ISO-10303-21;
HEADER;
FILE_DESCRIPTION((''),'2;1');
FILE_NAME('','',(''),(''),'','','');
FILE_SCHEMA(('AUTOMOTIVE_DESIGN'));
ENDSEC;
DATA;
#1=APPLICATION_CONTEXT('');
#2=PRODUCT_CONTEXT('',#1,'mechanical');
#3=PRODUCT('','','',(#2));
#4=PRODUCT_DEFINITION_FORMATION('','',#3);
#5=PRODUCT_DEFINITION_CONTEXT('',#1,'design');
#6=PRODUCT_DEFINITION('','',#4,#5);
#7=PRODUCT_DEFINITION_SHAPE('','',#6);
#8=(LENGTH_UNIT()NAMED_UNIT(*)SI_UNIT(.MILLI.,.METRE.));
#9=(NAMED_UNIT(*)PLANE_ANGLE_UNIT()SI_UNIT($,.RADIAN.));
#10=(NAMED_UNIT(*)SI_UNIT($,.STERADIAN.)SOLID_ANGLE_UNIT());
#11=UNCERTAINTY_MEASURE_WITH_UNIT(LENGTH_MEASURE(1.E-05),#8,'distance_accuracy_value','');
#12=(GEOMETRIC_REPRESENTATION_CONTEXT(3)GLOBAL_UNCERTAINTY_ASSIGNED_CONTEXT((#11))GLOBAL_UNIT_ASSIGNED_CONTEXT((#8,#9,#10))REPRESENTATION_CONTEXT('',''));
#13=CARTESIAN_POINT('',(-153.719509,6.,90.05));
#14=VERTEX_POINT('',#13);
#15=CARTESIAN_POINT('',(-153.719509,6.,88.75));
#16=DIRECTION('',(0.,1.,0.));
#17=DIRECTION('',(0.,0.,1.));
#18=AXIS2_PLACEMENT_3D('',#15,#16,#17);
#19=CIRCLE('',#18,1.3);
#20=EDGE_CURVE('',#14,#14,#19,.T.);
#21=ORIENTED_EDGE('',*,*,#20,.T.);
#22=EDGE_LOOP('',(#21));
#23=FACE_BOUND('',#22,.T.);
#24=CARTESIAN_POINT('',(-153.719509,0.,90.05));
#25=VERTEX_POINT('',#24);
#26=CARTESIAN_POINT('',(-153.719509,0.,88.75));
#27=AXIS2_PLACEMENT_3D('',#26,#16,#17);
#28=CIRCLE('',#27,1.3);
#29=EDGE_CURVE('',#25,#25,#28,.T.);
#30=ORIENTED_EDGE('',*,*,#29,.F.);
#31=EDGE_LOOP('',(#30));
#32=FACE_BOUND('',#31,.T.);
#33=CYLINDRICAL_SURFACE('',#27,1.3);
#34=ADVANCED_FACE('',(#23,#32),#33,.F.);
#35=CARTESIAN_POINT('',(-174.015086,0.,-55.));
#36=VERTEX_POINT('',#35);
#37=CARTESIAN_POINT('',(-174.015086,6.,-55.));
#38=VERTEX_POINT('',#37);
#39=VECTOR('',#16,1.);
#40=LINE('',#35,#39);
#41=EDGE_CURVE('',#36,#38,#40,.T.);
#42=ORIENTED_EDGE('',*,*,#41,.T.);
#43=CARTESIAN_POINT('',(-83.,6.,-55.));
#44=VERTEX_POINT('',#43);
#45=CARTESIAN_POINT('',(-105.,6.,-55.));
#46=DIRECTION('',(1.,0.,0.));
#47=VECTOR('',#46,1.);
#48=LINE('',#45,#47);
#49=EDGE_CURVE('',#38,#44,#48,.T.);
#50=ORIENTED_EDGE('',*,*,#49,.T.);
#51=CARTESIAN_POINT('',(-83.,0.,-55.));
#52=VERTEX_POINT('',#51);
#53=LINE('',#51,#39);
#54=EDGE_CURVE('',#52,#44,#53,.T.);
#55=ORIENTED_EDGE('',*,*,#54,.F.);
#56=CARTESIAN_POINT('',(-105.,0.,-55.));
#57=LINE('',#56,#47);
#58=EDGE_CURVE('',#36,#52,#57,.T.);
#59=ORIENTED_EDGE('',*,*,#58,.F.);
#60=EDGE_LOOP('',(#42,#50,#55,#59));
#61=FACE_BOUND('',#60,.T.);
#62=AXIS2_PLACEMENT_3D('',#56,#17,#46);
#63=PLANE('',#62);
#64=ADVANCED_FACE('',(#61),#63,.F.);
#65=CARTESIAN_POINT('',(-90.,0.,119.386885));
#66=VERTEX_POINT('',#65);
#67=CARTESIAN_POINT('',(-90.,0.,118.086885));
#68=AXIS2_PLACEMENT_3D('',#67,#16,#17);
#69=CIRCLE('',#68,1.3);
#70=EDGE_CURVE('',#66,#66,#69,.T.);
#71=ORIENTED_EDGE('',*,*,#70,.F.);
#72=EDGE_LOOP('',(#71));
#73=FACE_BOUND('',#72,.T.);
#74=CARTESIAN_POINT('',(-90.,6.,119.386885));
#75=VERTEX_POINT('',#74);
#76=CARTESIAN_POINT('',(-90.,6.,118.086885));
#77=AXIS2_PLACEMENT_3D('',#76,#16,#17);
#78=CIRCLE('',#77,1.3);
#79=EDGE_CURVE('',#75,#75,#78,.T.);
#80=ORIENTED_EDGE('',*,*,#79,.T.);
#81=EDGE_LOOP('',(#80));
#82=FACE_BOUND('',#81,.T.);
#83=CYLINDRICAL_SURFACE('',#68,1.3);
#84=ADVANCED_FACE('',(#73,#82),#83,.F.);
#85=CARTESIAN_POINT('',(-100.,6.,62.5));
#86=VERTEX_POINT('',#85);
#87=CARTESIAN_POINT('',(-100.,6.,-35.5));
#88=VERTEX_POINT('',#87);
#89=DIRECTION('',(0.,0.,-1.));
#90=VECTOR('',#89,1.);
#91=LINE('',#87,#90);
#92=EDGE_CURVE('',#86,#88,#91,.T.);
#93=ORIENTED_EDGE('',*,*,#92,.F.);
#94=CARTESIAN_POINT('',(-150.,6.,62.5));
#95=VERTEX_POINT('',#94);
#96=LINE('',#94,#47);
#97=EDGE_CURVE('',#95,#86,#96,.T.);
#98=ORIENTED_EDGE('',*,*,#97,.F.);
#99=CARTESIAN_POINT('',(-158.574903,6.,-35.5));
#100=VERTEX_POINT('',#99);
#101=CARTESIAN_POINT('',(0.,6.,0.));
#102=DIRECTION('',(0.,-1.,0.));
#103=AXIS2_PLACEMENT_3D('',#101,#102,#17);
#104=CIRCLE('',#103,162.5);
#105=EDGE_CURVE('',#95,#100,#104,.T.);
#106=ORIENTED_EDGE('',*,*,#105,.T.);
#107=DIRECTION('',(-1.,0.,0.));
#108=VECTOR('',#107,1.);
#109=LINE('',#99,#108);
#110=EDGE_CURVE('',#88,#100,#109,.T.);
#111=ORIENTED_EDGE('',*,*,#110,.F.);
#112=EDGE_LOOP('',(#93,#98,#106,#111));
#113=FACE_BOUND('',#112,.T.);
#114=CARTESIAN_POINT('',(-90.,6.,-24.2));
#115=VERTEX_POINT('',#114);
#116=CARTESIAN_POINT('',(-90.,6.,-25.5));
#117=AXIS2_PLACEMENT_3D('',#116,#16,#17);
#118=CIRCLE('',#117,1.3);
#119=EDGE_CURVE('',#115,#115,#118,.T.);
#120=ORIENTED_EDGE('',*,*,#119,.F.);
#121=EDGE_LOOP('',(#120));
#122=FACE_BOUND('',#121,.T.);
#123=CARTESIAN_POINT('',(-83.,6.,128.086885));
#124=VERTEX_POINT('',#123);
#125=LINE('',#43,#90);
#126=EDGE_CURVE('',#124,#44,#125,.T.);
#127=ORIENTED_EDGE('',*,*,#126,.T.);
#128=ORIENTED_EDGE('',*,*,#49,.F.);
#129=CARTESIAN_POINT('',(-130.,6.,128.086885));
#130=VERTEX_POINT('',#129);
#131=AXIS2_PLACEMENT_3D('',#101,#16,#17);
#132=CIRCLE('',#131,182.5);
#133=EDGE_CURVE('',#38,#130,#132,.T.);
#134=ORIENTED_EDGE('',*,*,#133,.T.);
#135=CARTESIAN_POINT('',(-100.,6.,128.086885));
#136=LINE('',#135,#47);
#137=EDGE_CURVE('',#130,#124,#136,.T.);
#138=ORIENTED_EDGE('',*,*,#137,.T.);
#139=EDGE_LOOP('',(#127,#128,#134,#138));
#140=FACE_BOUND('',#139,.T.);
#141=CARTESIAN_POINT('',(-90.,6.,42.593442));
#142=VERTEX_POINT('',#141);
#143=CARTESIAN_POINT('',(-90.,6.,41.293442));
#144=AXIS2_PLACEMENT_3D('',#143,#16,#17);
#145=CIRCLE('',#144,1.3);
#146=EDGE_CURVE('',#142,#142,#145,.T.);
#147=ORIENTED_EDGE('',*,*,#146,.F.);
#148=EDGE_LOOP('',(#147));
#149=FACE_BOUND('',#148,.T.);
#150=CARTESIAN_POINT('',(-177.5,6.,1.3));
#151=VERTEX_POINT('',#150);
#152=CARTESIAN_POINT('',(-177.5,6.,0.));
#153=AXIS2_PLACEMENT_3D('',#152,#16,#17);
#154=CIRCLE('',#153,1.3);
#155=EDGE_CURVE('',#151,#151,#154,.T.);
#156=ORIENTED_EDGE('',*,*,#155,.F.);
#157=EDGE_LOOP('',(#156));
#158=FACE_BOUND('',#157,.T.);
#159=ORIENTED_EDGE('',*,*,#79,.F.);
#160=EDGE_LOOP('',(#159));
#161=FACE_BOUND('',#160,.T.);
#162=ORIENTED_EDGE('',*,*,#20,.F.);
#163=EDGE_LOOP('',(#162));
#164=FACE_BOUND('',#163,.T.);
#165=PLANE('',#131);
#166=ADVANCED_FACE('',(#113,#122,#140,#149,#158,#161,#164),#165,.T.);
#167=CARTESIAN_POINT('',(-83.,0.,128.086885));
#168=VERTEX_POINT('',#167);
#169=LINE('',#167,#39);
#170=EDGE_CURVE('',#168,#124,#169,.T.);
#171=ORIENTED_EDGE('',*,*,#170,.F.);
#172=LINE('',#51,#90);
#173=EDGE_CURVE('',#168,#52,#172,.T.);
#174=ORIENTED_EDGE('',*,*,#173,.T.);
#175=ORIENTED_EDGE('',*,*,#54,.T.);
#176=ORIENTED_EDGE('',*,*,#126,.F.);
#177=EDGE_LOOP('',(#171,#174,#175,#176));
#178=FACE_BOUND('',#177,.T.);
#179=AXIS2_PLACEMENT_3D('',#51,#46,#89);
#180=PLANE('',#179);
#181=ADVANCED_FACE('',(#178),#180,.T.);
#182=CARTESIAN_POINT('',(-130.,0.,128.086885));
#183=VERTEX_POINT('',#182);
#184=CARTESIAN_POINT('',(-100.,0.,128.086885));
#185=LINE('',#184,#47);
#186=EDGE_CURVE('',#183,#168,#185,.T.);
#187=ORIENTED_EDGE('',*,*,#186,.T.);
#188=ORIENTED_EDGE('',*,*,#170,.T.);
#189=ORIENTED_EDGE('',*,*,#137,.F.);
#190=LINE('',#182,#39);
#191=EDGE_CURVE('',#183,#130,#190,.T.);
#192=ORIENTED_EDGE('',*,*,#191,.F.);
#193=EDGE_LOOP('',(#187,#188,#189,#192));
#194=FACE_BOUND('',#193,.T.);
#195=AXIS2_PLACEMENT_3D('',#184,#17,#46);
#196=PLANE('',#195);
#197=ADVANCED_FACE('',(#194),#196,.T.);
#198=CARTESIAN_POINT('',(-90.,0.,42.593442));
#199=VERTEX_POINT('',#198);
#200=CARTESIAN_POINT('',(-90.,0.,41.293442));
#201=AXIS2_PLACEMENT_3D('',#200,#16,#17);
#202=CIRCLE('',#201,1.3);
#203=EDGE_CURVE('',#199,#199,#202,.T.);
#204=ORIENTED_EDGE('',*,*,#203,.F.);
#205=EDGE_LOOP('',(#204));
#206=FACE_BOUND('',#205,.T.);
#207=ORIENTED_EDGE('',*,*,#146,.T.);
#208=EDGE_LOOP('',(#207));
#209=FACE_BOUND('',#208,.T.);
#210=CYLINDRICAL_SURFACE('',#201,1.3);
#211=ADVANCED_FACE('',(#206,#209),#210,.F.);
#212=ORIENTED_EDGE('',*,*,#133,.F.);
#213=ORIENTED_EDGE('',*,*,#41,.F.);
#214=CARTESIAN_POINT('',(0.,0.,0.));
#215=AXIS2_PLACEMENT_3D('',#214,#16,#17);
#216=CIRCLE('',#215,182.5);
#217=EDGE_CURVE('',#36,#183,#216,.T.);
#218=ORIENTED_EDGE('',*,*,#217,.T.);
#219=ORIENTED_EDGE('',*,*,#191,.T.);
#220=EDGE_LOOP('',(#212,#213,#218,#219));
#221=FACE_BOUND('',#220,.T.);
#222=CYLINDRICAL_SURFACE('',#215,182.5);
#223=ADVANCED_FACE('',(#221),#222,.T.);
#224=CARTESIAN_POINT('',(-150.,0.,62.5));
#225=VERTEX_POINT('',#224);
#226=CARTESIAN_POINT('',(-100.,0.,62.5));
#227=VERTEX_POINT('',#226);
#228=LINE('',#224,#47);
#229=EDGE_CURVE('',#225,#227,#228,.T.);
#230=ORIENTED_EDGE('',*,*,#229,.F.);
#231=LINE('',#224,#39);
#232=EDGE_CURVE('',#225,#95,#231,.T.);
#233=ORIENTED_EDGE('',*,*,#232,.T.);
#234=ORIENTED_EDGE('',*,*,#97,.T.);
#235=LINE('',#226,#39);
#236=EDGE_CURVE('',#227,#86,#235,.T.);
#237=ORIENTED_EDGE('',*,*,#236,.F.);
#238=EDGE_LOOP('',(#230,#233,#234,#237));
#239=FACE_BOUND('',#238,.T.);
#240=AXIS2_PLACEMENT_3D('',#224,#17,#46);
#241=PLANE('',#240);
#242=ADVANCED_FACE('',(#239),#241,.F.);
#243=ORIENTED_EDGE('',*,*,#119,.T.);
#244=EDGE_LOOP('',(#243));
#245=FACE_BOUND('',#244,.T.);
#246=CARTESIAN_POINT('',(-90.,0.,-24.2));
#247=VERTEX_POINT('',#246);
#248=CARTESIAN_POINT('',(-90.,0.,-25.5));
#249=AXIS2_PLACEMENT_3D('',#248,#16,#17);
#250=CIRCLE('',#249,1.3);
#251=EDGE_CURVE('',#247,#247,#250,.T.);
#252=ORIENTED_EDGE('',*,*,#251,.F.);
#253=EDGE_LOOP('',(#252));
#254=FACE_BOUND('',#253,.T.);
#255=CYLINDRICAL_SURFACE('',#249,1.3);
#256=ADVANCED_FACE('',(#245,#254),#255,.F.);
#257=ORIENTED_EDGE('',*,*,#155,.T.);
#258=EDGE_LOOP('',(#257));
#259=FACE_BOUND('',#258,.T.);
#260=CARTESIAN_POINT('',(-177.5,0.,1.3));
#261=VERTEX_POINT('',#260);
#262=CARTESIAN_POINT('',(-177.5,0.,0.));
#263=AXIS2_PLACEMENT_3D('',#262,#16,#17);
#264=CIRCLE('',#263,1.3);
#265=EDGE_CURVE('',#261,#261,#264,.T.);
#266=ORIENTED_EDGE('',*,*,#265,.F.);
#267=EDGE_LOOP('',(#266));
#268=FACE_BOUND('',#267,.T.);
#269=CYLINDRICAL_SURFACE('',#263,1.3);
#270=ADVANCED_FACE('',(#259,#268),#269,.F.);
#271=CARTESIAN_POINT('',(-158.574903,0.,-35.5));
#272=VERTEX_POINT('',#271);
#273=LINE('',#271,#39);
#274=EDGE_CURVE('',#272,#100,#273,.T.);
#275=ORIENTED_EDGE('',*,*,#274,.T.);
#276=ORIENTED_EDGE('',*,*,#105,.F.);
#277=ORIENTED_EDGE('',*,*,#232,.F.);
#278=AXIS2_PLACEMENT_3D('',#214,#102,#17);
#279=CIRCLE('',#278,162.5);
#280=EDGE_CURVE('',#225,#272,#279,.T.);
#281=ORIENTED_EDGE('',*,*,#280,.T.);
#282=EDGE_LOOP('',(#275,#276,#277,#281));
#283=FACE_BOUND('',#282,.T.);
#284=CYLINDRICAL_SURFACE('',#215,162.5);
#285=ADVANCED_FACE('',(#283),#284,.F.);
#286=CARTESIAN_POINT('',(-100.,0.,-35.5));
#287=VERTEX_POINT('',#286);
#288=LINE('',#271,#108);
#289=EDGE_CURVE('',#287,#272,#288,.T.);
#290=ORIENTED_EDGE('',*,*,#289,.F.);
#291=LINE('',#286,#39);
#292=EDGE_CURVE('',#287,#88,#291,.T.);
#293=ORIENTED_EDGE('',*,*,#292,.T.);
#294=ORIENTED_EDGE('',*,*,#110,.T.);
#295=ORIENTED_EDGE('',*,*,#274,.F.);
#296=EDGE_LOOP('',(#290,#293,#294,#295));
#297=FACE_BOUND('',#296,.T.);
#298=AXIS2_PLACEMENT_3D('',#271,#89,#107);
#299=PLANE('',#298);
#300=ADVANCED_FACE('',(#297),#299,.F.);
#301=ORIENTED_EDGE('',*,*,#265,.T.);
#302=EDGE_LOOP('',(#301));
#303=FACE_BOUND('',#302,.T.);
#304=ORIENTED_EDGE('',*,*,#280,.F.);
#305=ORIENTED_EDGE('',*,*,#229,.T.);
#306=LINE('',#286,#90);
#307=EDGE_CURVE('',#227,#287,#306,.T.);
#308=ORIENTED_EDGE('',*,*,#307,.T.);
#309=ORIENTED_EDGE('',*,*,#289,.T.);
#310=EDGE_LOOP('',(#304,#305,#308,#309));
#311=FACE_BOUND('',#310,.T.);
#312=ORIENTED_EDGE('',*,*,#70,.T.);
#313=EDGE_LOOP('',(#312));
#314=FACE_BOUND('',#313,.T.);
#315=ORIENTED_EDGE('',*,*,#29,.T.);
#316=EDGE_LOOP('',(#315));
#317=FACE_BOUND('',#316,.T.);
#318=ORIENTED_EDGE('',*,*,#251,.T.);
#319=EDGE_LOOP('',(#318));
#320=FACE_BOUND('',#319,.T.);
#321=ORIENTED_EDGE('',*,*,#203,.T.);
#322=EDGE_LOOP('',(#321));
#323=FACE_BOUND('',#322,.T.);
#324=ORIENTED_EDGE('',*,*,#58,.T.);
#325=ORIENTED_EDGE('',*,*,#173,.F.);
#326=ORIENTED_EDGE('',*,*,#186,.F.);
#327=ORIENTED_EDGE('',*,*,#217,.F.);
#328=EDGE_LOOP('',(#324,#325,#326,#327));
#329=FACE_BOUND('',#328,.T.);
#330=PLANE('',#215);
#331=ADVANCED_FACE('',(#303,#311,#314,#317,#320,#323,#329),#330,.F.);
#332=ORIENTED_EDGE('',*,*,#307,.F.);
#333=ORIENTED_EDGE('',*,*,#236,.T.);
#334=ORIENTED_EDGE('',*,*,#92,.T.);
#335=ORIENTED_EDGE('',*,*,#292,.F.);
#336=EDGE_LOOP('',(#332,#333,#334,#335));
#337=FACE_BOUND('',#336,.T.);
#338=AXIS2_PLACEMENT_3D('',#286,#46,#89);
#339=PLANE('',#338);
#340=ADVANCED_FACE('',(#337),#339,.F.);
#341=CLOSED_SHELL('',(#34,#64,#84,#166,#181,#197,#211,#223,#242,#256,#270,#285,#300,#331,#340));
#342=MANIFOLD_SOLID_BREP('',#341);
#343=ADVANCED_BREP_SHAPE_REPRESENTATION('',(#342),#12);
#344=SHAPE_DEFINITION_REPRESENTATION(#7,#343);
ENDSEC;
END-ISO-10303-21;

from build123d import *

# Parameters (mm, degrees)
BOSS_EXTRUDE1_DEPTH = 6
SKETCH5_W           = 200
SKETCH5_H           = 20
BOSS_EXTRUDE2_DEPTH = 6
SKETCH6_W           = 86.5
SKETCH6_H           = 143.586884574
BOSS_EXTRUDE3_DEPTH = 6
CUT_EXTRUDE3_DEPTH  = 230.888016217
CUT_EXTRUDE4_DEPTH  = 228.130469114
SKETCH9_W           = 210
SKETCH9_H           = 52
CUT_EXTRUDE5_DEPTH  = 226.140511681
BOSS_EXTRUDE4_DEPTH = 6
FILLET1_R           = 10
SKETCH11_R          = 1.3
CUT_EXTRUDE6_DEPTH  = 259.163707751
SKETCH12_R          = 1.3
CUT_EXTRUDE7_DEPTH  = 259.163707751
SKETCH13_R          = 1.75
CUT_EXTRUDE8_DEPTH  = 10
CUT_EXTRUDE9_DEPTH  = 259.163707751
SKETCH15_R          = 208.652698437
CUT_EXTRUDE10_DEPTH = 259.163707751


with BuildPart() as part:
    # Sketch2 → Boss-Extrude1 (new body)
    with BuildSketch(Plane(origin=(0, 0, 0), x_dir=(1, 0, 0), z_dir=(0, 1, 0))):
        with BuildLine():
            Line((-100, -128.086884574), (-100, 35.5))
            Line((-100, 35.5), (100, 35.5))
            Line((100, 35.5), (100, -128.086884574))
            ThreePointArc((100, -128.086884574), (0, 162.5), (-100, -128.086884574))
        make_face()
    extrude(amount=BOSS_EXTRUDE1_DEPTH)

    # Sketch5 → Boss-Extrude2 (add)
    with BuildSketch(Plane(origin=(0, 6, 0), x_dir=(1, 0, 0), z_dir=(0, 1, 0))):
        with Locations((0, -118.086884574)):
            Rectangle(SKETCH5_W, SKETCH5_H)
    extrude(amount=-BOSS_EXTRUDE2_DEPTH)

    # Sketch6 → Boss-Extrude3 (add, through all)
    with BuildSketch(Plane(origin=(0, 6, 0), x_dir=(1, 0, 0), z_dir=(0, 1, 0))):
        with Locations((-56.75, -36.293442287)):
            Rectangle(SKETCH6_W, SKETCH6_H)
        with Locations((56.75, -36.293442287)):
            Rectangle(SKETCH6_W, SKETCH6_H)
    extrude(amount=-BOSS_EXTRUDE3_DEPTH)

    # Sketch7 → Cut-Extrude3 (cut, through all)
    with BuildSketch(Plane(origin=(0, 6, 0), x_dir=(1, 0, 0), z_dir=(0, 1, 0))):
        with BuildLine():
            Line((-150, -62.5), (-100, -62.5))
            Line((-100, -62.5), (-100, 35.5))
            Line((-100, 35.5), (-158.574903437, 35.5))
            ThreePointArc((-158.574903437, 35.5), (-161.881492944, -14.164471125), (-150, -62.5))
        make_face()
        with BuildLine():
            Line((100, 35.5), (100, -62.5))
            Line((100, -62.5), (150, -62.5))
            ThreePointArc((150, -62.5), (161.881492944, -14.164471125), (158.574903437, 35.5))
            Line((158.574903437, 35.5), (100, 35.5))
        make_face()
    extrude(amount=-CUT_EXTRUDE3_DEPTH, mode=Mode.SUBTRACT)

    # Sketch8 → Cut-Extrude4 (cut, through all)
    with BuildSketch(Plane(origin=(0, 6, 0), x_dir=(1, 0, 0), z_dir=(0, 1, 0))):
        with BuildLine():
            Line((-30, 132.5), (-30, 159.706762537))
            ThreePointArc((-30, 159.706762537), (0, 162.5), (30, 159.706762537))
            Line((30, 159.706762537), (30, 132.5))
            ThreePointArc((30, 132.5), (0, 102.5), (-30, 132.5))
        make_face()
    extrude(amount=-CUT_EXTRUDE4_DEPTH, mode=Mode.SUBTRACT)

    # Sketch9 → Cut-Extrude5 (cut, through all)
    with BuildSketch(Plane(origin=(0, 6, 0), x_dir=(1, 0, 0), z_dir=(0, 1, 0))):
        with Locations((0, 81)):
            Rectangle(SKETCH9_W, SKETCH9_H)
    extrude(amount=-CUT_EXTRUDE5_DEPTH, mode=Mode.SUBTRACT)

    # Sketch10 → Boss-Extrude4 (add, through all)
    with BuildSketch(Plane(origin=(0, 6, 0), x_dir=(1, 0, 0), z_dir=(0, 1, 0))):
        with BuildLine():
            Line((-100, -128.086884574), (-130, -128.086884574))
            ThreePointArc((-130, -128.086884574), (0, 182.5), (130, -128.086884574))
            Line((130, -128.086884574), (100, -128.086884574))
            ThreePointArc((100, -128.086884574), (0, 162.5), (-100, -128.086884574))
        make_face()
    extrude(amount=-BOSS_EXTRUDE4_DEPTH)

    # Fillet1
    fillet1_edges = [part.edges().sort_by_distance(p)[0] for p in [
        (-105, 3, -107),
        (105, 3, -107),
        (105, 3, -55),
        (-105, 3, -55),
    ]]
    fillet(fillet1_edges, radius=FILLET1_R)

    # Sketch11 → Cut-Extrude6 (cut, through all)
    with BuildSketch(Plane(origin=(0, 6, 0), x_dir=(1, 0, 0), z_dir=(0, 1, 0))):
        with Locations(Location((0, 177.5, 0), (0, 0, 270))):
            Circle(SKETCH11_R)
        with Locations(Location((88.75, 153.719509172, 0), (0, 0, 270))):
            Circle(SKETCH11_R)
        with Locations(Location((153.719509172, 88.75, 0), (0, 0, 270))):
            Circle(SKETCH11_R)
        with Locations(Location((177.5, 0, 0), (0, 0, 270))):
            Circle(SKETCH11_R)
        with Locations(Location((153.719509172, -88.75, 0), (0, 0, 270))):
            Circle(SKETCH11_R)
        with Locations((88.75, -153.719509172)):
            Circle(SKETCH11_R)
        with Locations((0, -177.5)):
            Circle(SKETCH11_R)
        with Locations((-88.75, -153.719509172)):
            Circle(SKETCH11_R)
        with Locations(Location((-153.719509172, -88.75, 0), (0, 0, 270))):
            Circle(SKETCH11_R)
        with Locations(Location((-177.5, 0, 0), (0, 0, 270))):
            Circle(SKETCH11_R)
        with Locations(Location((-153.719509172, 88.75, 0), (0, 0, 270))):
            Circle(SKETCH11_R)
        with Locations(Location((-88.75, 153.719509172, 0), (0, 0, 270))):
            Circle(SKETCH11_R)
    extrude(amount=-CUT_EXTRUDE6_DEPTH, mode=Mode.SUBTRACT)

    # Sketch12 → Cut-Extrude7 (cut, through all)
    with BuildSketch(Plane(origin=(0, 6, 0), x_dir=(1, 0, 0), z_dir=(0, 1, 0))):
        with Locations(Location((0, -118.086884574, 0), (0, 0, 270))):
            Circle(SKETCH12_R)
        with Locations(Location((-90, -118.086884574, 0), (0, 0, 270))):
            Circle(SKETCH12_R)
        with Locations(Location((90, -118.086884574, 0), (0, 0, 270))):
            Circle(SKETCH12_R)
        with Locations(Location((-90, 25.5, 0), (0, 0, 270))):
            Circle(SKETCH12_R)
        with Locations(Location((-90, -41.293442287, 0), (0, 0, 270))):
            Circle(SKETCH12_R)
        with Locations(Location((90, -41.293442287, 0), (0, 0, 90))):
            Circle(SKETCH12_R)
        with Locations(Location((90, 25.5, 0), (0, 0, 90))):
            Circle(SKETCH12_R)
    extrude(amount=-CUT_EXTRUDE7_DEPTH, mode=Mode.SUBTRACT)

    # Sketch13 → Cut-Extrude8 (cut)
    with BuildSketch(Plane(origin=(0, 6, 0), x_dir=(1, 0, 0), z_dir=(0, 1, 0))):
        with Locations(Location((-17.875, -13.5, 0), (0, 0, 270))):
            Circle(SKETCH13_R)
        with Locations(Location((17.875, -13.5, 0), (0, 0, 270))):
            Circle(SKETCH13_R)
    extrude(amount=-CUT_EXTRUDE8_DEPTH, mode=Mode.SUBTRACT)

    # Sketch14 → Cut-Extrude9 (cut, through all)
    with BuildSketch(Plane(origin=(0, 6, 0), x_dir=(1, 0, 0), z_dir=(0, 1, 0))):
        with BuildLine():
            Line((-30, 132.5), (30, 132.5))
            ThreePointArc((30, 132.5), (37.46877708, 114.46877708), (55.5, 107))
            Line((55.5, 107), (-55.5, 107))
            ThreePointArc((-55.5, 107), (-37.46877708, 114.46877708), (-30, 132.5))
        make_face()
    extrude(amount=-CUT_EXTRUDE9_DEPTH, mode=Mode.SUBTRACT)

    # Sketch15 → Cut-Extrude10 (cut, through all)
    with BuildSketch(Plane(origin=(0, 6, 0), x_dir=(1, 0, 0), z_dir=(0, 1, 0))):
        Circle(SKETCH15_R)
        with BuildLine():
            Line((-95, 55), (-174.015085553, 55))
            ThreePointArc((-174.015085553, 55), (-177.444343068, -42.658587802), (-130, -128.086884574))
            Line((-130, -128.086884574), (-83, -128.086884574))
            Line((-83, -128.086884574), (-83, 55))
            Line((-83, 55), (-95, 55))
        make_face(mode=Mode.SUBTRACT)
    extrude(amount=-CUT_EXTRUDE10_DEPTH, mode=Mode.SUBTRACT)


solid = part.part
